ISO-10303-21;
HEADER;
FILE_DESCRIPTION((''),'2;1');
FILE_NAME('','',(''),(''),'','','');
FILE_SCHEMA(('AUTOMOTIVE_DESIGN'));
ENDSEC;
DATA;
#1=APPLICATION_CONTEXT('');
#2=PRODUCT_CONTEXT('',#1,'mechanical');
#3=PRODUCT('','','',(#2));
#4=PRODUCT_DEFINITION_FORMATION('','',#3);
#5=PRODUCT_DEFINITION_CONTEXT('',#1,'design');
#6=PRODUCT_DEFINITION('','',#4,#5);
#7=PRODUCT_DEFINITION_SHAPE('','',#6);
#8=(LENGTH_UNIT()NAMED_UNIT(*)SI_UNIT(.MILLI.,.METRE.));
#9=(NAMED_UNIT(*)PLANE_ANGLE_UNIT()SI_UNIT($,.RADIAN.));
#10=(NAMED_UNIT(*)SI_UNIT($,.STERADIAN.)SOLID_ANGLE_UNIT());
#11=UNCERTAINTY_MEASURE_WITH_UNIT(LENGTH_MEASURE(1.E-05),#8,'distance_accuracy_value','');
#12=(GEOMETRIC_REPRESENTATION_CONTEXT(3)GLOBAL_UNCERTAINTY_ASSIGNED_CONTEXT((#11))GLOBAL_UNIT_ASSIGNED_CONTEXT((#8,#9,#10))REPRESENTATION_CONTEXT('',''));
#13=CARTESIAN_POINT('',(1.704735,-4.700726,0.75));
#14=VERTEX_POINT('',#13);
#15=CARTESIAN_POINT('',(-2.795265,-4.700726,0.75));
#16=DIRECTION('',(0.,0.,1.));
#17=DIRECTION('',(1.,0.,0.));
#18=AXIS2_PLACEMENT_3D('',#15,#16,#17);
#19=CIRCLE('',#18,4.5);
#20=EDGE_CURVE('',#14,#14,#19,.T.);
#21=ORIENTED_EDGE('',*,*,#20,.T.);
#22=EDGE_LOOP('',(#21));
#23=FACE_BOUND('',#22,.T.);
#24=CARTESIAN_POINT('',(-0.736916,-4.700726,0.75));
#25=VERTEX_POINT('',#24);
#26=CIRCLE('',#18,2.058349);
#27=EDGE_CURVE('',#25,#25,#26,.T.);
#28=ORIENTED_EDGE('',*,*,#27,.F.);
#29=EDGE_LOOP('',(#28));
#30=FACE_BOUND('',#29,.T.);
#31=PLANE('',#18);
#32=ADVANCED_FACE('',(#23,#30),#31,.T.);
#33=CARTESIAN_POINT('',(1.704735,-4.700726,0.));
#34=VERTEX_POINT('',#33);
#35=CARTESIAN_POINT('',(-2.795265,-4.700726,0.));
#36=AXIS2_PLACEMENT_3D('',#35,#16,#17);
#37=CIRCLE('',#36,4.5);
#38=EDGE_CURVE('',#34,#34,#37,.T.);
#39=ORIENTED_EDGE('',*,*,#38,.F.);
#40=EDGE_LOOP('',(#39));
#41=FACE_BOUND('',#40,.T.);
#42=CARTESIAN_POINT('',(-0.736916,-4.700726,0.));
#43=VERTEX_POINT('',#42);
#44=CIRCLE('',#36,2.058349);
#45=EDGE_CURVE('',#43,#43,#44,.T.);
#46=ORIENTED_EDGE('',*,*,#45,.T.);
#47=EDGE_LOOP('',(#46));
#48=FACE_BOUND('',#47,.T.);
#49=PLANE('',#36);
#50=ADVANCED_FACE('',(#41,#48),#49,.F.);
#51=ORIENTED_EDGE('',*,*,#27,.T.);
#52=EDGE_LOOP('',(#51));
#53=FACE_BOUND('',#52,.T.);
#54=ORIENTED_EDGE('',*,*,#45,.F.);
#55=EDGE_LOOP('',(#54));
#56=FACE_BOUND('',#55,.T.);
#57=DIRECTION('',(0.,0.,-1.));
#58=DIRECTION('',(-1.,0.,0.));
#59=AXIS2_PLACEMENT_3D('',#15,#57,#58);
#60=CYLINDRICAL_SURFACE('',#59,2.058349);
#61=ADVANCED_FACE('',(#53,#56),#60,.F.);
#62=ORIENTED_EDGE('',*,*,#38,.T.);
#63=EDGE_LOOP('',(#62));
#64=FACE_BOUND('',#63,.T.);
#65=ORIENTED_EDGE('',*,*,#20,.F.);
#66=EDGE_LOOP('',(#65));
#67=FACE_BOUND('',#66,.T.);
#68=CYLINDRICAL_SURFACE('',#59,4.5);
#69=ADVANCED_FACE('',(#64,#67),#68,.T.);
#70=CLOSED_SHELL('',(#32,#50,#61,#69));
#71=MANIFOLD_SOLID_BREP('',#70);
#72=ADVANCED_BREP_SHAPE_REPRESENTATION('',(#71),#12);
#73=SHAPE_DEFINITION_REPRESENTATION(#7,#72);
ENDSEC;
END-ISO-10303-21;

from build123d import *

# Parameters (mm, degrees)
SKETCH1_R           = 4.5
SKETCH1_R_2         = 2.058349178
BOSS_EXTRUDE1_DEPTH = 0.75


with BuildPart() as part:
    # Sketch1 → Boss-Extrude1 (new body)
    with BuildSketch(Plane.XY):
        with Locations((-2.795264869, -4.70072562)):
            Circle(SKETCH1_R)
        with Locations((-2.795264869, -4.70072562)):
            Circle(SKETCH1_R_2, mode=Mode.SUBTRACT)
    extrude(amount=BOSS_EXTRUDE1_DEPTH)


solid = part.part
